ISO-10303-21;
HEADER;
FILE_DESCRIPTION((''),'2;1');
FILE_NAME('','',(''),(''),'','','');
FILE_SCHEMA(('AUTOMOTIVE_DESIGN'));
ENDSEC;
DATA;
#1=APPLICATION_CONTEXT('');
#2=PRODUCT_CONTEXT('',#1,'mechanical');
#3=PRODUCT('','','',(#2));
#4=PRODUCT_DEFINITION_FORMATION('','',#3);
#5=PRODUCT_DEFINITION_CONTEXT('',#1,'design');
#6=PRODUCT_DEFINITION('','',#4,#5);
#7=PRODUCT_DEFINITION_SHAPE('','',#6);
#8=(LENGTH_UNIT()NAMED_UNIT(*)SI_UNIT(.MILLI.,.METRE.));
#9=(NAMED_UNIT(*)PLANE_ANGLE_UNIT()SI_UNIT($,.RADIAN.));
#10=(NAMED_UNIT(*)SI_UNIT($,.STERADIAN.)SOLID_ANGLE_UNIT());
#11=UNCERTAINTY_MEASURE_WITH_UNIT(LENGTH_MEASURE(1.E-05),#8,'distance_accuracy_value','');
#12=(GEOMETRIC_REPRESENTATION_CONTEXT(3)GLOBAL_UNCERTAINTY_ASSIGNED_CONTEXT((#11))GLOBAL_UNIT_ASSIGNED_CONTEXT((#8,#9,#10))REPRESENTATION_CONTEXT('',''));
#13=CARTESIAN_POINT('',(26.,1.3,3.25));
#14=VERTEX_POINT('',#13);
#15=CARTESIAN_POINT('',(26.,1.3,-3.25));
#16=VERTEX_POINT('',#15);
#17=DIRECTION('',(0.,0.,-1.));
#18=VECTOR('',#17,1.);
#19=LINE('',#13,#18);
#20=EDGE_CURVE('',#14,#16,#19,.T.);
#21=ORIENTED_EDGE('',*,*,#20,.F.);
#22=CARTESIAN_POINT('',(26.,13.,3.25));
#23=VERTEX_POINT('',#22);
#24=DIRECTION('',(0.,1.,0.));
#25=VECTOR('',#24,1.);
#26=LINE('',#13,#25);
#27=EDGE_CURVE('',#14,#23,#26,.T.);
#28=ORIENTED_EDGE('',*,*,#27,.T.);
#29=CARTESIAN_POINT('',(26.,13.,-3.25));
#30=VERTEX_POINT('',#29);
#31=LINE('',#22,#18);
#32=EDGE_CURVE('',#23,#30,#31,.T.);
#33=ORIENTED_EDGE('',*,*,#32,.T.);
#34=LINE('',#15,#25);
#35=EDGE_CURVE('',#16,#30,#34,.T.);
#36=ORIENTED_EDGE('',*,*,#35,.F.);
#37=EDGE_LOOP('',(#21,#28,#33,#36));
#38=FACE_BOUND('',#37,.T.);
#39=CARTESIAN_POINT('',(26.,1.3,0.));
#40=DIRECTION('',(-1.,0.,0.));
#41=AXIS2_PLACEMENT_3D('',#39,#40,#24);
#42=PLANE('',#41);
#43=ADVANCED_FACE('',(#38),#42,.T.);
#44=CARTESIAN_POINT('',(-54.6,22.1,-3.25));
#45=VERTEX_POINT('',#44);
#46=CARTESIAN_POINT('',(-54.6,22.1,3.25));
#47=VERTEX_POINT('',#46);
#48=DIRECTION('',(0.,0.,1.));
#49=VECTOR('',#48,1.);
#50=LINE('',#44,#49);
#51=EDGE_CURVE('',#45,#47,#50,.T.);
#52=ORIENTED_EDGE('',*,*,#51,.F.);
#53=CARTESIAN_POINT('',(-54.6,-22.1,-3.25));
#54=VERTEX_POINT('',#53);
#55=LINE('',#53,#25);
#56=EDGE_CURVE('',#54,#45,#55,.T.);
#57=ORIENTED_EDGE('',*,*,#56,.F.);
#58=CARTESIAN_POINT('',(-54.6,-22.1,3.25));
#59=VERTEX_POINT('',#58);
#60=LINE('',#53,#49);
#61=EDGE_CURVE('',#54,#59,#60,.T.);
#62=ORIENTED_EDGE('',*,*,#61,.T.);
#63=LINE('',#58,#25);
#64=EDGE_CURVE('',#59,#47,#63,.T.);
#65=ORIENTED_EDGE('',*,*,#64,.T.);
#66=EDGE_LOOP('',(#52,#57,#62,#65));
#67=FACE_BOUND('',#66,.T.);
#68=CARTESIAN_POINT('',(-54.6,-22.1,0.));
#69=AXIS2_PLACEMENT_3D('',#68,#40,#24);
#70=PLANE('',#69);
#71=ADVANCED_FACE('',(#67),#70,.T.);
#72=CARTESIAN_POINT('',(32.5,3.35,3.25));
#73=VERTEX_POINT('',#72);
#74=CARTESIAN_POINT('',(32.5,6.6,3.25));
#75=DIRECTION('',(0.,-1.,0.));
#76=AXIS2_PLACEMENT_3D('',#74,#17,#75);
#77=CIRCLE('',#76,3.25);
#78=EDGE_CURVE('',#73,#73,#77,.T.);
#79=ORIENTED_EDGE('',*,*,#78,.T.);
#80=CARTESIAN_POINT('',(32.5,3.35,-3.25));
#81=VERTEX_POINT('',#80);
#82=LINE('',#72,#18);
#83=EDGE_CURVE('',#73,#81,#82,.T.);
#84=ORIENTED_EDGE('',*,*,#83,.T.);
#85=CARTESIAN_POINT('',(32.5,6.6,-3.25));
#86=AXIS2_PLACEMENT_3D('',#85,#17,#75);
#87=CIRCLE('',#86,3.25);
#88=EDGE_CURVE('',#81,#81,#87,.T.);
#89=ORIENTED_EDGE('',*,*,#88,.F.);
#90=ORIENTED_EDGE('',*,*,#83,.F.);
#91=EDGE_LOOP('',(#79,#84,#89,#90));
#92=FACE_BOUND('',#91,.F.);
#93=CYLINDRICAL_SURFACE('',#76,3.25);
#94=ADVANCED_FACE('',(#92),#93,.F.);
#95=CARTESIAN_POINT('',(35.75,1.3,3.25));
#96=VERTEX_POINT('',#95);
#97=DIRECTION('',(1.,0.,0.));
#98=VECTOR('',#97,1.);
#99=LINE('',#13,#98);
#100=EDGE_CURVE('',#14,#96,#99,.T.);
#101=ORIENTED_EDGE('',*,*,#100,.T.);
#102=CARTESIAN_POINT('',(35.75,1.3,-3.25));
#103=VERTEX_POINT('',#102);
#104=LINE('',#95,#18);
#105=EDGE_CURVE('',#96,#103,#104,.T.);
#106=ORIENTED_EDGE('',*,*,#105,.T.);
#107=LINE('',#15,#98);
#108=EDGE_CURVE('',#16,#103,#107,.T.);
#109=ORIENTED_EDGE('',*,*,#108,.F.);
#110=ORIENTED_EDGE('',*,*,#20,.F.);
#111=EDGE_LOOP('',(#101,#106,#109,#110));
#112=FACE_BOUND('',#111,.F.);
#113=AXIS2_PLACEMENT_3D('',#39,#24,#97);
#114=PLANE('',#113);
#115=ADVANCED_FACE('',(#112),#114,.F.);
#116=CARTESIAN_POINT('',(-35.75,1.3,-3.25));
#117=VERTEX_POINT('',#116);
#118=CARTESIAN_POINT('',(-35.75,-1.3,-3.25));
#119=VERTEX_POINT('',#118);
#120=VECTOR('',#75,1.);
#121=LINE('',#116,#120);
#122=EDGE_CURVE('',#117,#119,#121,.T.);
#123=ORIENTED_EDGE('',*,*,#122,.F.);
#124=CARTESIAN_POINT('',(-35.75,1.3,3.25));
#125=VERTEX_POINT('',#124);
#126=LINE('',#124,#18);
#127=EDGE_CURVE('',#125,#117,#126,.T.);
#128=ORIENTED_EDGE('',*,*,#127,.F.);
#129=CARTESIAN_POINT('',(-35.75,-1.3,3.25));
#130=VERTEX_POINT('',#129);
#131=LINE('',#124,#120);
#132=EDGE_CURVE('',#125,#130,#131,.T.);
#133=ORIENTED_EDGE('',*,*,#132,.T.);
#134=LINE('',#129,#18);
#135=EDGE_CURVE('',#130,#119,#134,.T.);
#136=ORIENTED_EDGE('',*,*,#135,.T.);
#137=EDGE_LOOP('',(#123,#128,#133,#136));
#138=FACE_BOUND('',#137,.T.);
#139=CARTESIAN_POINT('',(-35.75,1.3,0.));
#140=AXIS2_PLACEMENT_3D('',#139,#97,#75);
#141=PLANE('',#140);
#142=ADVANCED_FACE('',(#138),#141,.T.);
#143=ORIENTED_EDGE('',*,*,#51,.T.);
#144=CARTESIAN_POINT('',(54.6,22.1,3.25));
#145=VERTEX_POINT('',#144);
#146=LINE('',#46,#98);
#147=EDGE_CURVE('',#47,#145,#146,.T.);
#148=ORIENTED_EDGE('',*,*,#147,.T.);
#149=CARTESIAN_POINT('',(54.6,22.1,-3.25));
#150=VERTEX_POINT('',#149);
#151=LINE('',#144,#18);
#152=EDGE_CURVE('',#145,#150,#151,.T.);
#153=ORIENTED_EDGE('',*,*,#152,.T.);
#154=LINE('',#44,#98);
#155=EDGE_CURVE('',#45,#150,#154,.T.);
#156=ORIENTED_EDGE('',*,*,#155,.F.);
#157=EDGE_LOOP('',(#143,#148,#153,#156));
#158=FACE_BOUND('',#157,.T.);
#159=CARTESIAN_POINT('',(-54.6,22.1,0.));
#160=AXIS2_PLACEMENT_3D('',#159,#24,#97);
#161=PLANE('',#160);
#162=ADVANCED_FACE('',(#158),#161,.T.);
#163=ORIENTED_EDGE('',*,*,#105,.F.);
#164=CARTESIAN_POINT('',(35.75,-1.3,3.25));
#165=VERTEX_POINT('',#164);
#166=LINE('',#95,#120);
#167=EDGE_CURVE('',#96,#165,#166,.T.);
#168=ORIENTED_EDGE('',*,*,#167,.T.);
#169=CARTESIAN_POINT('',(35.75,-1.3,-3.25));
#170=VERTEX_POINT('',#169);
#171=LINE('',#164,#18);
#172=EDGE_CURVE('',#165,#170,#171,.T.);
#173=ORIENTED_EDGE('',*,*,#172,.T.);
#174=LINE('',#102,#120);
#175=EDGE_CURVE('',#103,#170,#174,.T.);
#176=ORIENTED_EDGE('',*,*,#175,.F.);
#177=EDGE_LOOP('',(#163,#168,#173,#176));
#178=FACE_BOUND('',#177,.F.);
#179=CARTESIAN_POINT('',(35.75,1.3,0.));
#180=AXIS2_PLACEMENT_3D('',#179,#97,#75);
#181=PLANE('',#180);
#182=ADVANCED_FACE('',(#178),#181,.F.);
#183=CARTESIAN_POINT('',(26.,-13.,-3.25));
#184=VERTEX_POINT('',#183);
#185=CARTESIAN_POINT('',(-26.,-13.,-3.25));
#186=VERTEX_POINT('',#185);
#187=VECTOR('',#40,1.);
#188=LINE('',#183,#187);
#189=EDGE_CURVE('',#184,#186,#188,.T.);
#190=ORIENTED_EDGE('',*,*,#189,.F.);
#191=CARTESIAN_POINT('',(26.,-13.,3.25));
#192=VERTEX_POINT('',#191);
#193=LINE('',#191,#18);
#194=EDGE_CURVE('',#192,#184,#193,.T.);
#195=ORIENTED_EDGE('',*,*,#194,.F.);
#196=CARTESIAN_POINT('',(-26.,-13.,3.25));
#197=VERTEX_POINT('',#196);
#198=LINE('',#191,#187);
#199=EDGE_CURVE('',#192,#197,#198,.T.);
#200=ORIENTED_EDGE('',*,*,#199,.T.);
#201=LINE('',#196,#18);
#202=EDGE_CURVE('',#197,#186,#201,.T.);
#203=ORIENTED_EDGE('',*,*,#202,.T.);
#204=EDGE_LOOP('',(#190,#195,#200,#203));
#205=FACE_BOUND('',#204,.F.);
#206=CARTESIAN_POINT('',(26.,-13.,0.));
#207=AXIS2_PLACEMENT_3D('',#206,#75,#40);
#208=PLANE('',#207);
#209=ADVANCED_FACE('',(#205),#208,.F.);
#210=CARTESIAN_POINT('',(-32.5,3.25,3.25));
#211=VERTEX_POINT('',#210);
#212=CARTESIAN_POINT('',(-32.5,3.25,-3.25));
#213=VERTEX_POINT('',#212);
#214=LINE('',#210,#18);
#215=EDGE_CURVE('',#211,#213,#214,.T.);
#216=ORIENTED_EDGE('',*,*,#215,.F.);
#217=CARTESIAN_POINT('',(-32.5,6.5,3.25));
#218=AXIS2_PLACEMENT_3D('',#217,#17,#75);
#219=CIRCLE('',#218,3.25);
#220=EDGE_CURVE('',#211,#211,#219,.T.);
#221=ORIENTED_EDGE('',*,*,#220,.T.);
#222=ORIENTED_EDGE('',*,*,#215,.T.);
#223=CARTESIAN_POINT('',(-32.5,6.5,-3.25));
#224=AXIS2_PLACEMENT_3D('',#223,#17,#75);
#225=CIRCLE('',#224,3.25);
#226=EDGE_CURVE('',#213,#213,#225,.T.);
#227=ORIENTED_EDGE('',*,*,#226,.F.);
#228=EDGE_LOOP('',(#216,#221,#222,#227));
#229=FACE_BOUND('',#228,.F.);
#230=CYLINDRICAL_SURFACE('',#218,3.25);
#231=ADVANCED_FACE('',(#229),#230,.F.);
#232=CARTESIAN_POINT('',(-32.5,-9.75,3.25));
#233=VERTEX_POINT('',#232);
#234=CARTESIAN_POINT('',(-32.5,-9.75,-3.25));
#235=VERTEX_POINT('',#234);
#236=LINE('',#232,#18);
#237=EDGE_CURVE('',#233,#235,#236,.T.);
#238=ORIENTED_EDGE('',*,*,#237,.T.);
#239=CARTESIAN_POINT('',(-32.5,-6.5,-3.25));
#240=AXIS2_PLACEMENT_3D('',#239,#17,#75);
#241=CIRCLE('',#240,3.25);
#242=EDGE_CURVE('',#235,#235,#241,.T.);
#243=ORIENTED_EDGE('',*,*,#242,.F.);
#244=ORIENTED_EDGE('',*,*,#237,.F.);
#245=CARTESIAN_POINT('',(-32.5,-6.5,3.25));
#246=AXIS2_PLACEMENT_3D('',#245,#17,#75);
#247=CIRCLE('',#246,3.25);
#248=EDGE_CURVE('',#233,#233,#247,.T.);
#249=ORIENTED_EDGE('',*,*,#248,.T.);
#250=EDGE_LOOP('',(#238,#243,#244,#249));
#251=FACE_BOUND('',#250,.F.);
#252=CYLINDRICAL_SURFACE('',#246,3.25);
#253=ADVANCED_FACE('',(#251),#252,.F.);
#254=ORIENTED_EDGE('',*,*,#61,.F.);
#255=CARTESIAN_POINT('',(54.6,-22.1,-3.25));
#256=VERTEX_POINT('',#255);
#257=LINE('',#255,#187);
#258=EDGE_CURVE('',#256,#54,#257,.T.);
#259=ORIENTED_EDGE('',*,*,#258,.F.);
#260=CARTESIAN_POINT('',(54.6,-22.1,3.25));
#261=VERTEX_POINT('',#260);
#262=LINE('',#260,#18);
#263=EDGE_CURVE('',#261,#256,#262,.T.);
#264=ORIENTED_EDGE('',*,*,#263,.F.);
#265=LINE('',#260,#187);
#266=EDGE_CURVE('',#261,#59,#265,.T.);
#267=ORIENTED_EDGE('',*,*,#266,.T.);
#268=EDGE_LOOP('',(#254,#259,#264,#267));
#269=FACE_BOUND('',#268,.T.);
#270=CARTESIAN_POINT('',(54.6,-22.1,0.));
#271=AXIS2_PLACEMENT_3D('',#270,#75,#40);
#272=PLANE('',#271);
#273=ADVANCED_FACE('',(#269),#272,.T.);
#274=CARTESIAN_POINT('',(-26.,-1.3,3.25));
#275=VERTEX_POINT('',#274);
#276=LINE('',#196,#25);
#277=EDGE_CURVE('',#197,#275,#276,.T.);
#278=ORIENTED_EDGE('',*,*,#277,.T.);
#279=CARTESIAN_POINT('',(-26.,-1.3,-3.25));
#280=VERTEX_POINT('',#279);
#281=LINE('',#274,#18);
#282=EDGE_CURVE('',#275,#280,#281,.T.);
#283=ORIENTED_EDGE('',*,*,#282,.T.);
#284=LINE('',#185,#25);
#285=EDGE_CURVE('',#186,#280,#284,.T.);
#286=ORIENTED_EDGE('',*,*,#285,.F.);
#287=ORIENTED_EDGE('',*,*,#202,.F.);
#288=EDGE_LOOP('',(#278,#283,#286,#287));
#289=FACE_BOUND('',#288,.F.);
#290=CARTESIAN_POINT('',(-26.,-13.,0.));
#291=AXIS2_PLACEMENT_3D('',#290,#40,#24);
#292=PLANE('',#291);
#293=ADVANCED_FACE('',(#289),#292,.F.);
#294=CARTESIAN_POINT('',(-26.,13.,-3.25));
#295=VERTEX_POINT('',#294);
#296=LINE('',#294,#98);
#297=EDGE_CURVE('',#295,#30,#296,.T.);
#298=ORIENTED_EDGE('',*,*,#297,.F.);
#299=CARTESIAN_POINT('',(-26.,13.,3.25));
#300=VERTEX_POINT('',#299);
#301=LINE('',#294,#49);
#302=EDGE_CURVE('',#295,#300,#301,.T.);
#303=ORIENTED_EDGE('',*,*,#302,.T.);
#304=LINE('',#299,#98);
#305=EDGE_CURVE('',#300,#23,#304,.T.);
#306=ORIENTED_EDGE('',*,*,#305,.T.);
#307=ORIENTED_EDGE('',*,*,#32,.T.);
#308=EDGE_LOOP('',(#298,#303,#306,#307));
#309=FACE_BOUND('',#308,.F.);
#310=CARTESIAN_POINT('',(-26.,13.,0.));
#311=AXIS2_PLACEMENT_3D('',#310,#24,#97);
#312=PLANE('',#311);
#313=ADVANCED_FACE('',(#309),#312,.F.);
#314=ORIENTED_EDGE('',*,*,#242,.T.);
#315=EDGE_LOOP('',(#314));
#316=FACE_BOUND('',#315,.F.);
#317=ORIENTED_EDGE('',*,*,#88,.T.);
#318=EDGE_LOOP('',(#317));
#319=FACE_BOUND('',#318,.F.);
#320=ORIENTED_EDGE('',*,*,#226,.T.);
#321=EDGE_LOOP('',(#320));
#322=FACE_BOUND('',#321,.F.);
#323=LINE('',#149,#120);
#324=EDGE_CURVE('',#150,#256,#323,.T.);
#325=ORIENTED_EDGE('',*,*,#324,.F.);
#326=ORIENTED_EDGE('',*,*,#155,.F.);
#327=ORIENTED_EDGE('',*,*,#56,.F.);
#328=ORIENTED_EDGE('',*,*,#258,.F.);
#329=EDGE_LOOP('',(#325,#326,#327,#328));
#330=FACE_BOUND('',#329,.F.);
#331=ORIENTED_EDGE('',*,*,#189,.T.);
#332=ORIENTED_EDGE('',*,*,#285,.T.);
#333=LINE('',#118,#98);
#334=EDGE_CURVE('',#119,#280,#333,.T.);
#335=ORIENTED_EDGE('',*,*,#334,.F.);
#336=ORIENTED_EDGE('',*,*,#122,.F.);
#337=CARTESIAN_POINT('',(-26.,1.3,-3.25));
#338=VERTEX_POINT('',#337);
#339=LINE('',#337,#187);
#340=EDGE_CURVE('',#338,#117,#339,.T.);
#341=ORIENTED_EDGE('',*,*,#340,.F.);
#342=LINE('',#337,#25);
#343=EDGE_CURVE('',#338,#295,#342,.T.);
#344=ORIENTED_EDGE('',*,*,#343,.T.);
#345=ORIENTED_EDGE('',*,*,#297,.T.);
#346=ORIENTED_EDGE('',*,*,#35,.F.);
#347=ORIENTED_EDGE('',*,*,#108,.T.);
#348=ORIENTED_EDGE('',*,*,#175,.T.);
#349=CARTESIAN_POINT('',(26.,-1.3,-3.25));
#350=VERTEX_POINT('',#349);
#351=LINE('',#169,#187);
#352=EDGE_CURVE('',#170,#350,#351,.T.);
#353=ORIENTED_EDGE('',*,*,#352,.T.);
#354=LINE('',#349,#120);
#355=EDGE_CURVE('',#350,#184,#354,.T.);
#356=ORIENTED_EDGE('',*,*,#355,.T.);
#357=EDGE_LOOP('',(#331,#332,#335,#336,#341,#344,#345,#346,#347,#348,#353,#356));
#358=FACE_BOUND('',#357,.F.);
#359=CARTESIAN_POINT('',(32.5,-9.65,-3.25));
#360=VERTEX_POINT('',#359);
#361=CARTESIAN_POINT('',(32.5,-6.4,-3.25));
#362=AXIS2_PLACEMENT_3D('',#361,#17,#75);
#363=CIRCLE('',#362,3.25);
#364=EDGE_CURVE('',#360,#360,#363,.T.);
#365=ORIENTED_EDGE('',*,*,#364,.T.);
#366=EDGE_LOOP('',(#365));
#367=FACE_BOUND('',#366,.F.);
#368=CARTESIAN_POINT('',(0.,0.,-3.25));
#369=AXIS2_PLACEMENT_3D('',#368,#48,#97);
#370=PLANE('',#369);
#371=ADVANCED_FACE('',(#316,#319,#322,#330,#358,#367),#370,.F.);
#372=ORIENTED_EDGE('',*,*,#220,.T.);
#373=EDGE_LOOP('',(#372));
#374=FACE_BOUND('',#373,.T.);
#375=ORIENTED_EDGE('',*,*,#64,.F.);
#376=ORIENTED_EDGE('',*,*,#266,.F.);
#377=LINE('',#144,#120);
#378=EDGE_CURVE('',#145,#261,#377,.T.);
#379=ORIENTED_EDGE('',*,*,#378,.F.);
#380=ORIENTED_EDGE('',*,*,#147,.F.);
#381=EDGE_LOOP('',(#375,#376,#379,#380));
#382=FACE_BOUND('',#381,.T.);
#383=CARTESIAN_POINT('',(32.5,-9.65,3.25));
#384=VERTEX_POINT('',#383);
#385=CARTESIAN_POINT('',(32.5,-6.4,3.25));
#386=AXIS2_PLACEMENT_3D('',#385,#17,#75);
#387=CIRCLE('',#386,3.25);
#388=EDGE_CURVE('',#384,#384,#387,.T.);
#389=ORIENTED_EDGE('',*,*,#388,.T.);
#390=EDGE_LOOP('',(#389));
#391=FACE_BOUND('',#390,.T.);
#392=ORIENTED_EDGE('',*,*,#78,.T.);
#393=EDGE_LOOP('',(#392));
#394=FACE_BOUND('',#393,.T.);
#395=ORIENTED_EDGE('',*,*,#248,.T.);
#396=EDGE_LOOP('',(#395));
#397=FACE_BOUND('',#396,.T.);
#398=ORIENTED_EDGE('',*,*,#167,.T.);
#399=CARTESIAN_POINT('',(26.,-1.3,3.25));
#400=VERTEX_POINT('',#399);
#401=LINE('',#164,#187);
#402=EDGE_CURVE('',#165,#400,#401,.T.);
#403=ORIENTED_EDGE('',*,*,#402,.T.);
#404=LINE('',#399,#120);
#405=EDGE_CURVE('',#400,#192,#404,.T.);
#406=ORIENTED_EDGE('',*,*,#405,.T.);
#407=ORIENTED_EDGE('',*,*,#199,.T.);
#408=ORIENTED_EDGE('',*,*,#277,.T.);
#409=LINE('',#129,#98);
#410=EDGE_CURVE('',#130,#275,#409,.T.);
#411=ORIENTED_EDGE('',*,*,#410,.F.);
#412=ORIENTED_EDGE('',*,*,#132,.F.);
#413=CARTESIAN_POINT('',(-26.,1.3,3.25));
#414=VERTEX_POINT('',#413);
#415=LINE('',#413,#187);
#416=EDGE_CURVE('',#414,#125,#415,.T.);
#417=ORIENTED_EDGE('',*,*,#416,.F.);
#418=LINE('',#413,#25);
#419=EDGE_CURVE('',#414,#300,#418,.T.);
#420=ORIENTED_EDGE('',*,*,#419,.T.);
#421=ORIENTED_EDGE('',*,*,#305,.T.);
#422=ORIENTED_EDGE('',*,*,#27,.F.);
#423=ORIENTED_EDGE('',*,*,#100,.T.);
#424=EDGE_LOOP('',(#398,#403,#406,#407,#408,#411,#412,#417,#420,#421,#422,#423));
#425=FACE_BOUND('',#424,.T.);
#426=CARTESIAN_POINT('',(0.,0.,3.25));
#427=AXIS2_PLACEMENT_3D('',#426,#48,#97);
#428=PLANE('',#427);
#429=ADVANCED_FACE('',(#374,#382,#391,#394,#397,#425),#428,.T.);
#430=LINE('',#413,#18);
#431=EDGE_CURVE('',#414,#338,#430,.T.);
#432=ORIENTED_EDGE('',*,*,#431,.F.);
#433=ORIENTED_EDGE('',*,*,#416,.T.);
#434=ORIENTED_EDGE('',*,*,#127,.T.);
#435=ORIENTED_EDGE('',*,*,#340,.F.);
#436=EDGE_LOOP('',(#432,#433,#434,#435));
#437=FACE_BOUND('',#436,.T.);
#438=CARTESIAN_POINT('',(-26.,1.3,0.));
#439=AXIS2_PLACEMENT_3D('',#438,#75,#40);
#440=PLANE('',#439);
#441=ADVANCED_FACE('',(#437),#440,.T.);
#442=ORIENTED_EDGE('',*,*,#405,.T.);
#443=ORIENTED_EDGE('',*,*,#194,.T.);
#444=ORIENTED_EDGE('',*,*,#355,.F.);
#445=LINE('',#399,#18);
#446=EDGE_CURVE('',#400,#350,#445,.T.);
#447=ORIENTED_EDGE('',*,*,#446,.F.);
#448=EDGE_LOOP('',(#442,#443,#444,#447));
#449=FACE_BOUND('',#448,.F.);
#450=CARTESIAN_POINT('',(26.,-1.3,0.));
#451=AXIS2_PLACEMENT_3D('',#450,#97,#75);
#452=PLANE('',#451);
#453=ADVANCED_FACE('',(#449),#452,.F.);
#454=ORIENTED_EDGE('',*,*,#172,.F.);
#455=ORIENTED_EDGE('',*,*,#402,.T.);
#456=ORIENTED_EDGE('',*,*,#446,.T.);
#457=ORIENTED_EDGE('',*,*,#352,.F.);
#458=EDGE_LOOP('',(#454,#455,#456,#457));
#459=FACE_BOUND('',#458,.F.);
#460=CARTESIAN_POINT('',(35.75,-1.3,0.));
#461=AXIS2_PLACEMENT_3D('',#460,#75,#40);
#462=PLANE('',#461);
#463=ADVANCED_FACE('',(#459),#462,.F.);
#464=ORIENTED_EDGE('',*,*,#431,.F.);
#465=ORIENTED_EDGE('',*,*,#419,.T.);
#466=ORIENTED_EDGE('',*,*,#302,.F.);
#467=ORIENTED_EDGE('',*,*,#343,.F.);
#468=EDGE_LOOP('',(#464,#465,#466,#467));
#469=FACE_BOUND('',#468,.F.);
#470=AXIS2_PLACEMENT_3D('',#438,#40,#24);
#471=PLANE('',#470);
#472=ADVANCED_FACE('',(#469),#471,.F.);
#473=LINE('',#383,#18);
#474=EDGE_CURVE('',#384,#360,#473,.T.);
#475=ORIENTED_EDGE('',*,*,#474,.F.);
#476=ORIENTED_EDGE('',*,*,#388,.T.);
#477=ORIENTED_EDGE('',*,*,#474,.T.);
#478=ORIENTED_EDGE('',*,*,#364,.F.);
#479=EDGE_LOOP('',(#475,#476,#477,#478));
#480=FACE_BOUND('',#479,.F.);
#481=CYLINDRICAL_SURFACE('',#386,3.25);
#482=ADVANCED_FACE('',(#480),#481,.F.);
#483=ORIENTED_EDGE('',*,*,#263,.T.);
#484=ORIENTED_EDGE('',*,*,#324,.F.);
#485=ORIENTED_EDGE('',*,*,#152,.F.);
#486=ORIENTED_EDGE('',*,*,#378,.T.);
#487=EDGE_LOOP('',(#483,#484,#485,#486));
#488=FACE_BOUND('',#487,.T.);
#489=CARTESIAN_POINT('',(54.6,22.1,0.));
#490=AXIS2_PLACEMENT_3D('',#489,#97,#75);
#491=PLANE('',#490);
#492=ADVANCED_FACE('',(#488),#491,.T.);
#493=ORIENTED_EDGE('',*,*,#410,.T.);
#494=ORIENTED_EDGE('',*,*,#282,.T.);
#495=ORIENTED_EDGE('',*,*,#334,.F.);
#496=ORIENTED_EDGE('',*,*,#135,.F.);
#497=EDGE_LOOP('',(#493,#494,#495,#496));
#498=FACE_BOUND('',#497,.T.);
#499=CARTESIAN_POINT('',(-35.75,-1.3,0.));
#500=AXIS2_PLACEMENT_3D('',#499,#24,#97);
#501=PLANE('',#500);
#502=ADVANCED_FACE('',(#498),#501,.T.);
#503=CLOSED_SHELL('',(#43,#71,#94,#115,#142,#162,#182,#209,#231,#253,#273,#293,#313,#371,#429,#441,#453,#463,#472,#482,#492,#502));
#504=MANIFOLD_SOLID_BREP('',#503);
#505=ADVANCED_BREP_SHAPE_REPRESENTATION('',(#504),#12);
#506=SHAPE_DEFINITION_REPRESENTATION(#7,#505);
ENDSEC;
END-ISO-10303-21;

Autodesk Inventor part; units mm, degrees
ref_plane "YZ Plane" through (0, 0, 0) normal (1, 0, 0) x (0, 1, 0)
ref_plane "XZ Plane" through (0, 0, 0) normal (0, 1, 0) x (-1, 0, 0)
ref_plane "XY Plane" through (0, 0, 0) normal (0, 0, 1) x (1, 0, 0)
sketch "Sketch1" plane through (0, 0, 0) normal (0, 0, 1) x (1, 0, 0)
  line L0 (-26, 13) -> (26, 13)
  line L1 (26, -13) -> (-26, -13)
  line L2 (-26, 13) -> (26, -13) construction
  line L3 (26, 13) -> (-26, -13) construction
  line L4 (-54.6, 22.1) -> (54.6, 22.1)
  line L5 (54.6, 22.1) -> (54.6, -22.1)
  line L6 (54.6, -22.1) -> (-54.6, -22.1)
  line L7 (-54.6, -22.1) -> (-54.6, 22.1)
  line L8 (-54.6, 22.1) -> (54.6, -22.1) construction
  line L9 (54.6, 22.1) -> (-54.6, -22.1) construction
  line L10 (-26, 1.3) -> (-35.75, 1.3)
  line L11 (-35.75, 1.3) -> (-35.75, -1.3)
  line L12 (-35.75, -1.3) -> (-26, -1.3)
  line L13 (26, 1.3) -> (35.75, 1.3)
  line L14 (35.75, 1.3) -> (35.75, -1.3)
  line L15 (35.75, -1.3) -> (26, -1.3)
  line L16 (-26, 1.3) -> (-26, 13)
  line L17 (-26, -13) -> (-26, -1.3)
  line L18 (26, -1.3) -> (26, -13)
  line L19 (26, 1.3) -> (26, 13)
  point P0 (0, 0)
  point P1 (-35.75, 0)
  point P2 (0, 0)
  dimension "CInt" = 52
  dimension "LInt" = 26
  dimension "Cext" = 109.2
  dimension "Lext" = 44.2
  dimension "Cpeq" = 9.75
  dimension "Lpeq" = 2.6
  dimension "d10" = 9.75
  dimension "d11" = 2.6
extrude "Extrusion1" add sketch "Sketch1" along normal mid plane 6.5
sketch "Sketch8" plane through (0, 0, 3.25) normal (0, 0, 1) x (1, 0, 0)
  point P0 (0, 0)
hole "Hole1" at (-32.5, 6.5, 3.25) direction (0, 0, -1) diameter 6.5 end through all
pattern_linear "Rectangular Pattern1" count 2 spacing 13 along (0, -1, 0) of "Hole1"
hole "Hole2" at (32.5, 6.6, 3.25) direction (0, 0, -1) diameter 6.5 end through all
pattern_linear "Rectangular Pattern2" count 2 spacing 13 along (0, -1, 0) of "Hole2"
properties part number "Cou-3"
